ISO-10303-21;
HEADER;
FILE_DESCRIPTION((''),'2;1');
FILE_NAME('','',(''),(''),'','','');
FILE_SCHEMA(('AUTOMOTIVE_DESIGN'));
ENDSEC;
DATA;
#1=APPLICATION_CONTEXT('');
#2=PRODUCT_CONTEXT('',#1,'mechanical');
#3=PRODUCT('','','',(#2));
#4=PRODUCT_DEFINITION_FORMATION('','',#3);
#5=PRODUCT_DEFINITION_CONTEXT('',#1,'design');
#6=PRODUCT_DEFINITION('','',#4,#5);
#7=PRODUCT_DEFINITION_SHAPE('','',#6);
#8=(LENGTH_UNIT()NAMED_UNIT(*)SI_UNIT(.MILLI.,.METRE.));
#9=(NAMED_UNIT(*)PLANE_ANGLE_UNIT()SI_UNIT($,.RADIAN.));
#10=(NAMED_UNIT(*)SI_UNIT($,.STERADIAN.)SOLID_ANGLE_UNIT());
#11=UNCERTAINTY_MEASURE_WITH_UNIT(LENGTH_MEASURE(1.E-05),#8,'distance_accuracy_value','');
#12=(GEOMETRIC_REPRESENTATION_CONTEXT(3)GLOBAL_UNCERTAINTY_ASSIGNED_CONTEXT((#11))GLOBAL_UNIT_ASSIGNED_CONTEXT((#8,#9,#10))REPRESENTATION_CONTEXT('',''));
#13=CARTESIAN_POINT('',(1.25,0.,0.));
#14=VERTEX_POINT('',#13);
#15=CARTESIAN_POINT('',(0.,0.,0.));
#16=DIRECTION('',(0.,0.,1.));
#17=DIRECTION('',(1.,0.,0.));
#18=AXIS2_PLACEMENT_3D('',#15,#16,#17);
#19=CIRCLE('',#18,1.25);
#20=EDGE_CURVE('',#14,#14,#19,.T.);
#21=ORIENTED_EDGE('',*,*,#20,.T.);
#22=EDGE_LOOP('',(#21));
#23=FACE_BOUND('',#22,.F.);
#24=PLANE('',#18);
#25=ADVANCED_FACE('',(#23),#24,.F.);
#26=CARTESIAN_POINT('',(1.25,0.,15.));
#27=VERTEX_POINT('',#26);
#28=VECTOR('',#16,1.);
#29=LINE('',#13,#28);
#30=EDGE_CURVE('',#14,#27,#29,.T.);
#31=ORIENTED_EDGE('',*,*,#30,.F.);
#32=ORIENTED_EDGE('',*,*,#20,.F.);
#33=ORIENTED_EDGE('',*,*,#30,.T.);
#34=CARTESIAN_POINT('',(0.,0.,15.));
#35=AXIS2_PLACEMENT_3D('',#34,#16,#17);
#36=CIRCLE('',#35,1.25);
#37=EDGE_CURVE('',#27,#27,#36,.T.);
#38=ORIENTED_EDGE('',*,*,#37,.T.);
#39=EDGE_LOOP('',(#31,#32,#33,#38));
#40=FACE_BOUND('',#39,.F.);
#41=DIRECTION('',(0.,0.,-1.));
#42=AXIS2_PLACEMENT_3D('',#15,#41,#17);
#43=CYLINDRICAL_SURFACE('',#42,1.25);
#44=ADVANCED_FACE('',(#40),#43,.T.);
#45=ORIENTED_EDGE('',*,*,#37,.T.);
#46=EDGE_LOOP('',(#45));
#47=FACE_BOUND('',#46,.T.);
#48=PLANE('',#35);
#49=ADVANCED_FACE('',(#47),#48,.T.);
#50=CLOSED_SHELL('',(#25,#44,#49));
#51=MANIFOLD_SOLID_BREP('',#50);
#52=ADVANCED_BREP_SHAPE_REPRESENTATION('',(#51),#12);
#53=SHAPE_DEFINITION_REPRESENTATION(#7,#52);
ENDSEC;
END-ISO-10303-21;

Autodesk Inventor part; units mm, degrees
ref_plane "YZ Plane" through (0, 0, 0) normal (1, 0, 0) x (0, 1, 0)
ref_plane "XZ Plane" through (0, 0, 0) normal (0, 1, 0) x (-1, 0, 0)
ref_plane "XY Plane" through (0, 0, 0) normal (0, 0, 1) x (1, 0, 0)
sketch "Sketch1" plane through (0, 0, 0) normal (0, 0, 1) x (1, 0, 0)
  circle A0 centre (0, 0) radius 1.25
  dimension "d2" = 2.5
extrude "Extrusion1" add sketch "Sketch1" along normal blind 15
thread "Thread1" size "M2.5x0.45" class "6g" standard "ANSI Metric M Profile" length 2.5
thread "Thread2" size "M2.5x0.45" class "6g" standard "ANSI Metric M Profile" length 2.5
properties part number "CilindroAjuste"
